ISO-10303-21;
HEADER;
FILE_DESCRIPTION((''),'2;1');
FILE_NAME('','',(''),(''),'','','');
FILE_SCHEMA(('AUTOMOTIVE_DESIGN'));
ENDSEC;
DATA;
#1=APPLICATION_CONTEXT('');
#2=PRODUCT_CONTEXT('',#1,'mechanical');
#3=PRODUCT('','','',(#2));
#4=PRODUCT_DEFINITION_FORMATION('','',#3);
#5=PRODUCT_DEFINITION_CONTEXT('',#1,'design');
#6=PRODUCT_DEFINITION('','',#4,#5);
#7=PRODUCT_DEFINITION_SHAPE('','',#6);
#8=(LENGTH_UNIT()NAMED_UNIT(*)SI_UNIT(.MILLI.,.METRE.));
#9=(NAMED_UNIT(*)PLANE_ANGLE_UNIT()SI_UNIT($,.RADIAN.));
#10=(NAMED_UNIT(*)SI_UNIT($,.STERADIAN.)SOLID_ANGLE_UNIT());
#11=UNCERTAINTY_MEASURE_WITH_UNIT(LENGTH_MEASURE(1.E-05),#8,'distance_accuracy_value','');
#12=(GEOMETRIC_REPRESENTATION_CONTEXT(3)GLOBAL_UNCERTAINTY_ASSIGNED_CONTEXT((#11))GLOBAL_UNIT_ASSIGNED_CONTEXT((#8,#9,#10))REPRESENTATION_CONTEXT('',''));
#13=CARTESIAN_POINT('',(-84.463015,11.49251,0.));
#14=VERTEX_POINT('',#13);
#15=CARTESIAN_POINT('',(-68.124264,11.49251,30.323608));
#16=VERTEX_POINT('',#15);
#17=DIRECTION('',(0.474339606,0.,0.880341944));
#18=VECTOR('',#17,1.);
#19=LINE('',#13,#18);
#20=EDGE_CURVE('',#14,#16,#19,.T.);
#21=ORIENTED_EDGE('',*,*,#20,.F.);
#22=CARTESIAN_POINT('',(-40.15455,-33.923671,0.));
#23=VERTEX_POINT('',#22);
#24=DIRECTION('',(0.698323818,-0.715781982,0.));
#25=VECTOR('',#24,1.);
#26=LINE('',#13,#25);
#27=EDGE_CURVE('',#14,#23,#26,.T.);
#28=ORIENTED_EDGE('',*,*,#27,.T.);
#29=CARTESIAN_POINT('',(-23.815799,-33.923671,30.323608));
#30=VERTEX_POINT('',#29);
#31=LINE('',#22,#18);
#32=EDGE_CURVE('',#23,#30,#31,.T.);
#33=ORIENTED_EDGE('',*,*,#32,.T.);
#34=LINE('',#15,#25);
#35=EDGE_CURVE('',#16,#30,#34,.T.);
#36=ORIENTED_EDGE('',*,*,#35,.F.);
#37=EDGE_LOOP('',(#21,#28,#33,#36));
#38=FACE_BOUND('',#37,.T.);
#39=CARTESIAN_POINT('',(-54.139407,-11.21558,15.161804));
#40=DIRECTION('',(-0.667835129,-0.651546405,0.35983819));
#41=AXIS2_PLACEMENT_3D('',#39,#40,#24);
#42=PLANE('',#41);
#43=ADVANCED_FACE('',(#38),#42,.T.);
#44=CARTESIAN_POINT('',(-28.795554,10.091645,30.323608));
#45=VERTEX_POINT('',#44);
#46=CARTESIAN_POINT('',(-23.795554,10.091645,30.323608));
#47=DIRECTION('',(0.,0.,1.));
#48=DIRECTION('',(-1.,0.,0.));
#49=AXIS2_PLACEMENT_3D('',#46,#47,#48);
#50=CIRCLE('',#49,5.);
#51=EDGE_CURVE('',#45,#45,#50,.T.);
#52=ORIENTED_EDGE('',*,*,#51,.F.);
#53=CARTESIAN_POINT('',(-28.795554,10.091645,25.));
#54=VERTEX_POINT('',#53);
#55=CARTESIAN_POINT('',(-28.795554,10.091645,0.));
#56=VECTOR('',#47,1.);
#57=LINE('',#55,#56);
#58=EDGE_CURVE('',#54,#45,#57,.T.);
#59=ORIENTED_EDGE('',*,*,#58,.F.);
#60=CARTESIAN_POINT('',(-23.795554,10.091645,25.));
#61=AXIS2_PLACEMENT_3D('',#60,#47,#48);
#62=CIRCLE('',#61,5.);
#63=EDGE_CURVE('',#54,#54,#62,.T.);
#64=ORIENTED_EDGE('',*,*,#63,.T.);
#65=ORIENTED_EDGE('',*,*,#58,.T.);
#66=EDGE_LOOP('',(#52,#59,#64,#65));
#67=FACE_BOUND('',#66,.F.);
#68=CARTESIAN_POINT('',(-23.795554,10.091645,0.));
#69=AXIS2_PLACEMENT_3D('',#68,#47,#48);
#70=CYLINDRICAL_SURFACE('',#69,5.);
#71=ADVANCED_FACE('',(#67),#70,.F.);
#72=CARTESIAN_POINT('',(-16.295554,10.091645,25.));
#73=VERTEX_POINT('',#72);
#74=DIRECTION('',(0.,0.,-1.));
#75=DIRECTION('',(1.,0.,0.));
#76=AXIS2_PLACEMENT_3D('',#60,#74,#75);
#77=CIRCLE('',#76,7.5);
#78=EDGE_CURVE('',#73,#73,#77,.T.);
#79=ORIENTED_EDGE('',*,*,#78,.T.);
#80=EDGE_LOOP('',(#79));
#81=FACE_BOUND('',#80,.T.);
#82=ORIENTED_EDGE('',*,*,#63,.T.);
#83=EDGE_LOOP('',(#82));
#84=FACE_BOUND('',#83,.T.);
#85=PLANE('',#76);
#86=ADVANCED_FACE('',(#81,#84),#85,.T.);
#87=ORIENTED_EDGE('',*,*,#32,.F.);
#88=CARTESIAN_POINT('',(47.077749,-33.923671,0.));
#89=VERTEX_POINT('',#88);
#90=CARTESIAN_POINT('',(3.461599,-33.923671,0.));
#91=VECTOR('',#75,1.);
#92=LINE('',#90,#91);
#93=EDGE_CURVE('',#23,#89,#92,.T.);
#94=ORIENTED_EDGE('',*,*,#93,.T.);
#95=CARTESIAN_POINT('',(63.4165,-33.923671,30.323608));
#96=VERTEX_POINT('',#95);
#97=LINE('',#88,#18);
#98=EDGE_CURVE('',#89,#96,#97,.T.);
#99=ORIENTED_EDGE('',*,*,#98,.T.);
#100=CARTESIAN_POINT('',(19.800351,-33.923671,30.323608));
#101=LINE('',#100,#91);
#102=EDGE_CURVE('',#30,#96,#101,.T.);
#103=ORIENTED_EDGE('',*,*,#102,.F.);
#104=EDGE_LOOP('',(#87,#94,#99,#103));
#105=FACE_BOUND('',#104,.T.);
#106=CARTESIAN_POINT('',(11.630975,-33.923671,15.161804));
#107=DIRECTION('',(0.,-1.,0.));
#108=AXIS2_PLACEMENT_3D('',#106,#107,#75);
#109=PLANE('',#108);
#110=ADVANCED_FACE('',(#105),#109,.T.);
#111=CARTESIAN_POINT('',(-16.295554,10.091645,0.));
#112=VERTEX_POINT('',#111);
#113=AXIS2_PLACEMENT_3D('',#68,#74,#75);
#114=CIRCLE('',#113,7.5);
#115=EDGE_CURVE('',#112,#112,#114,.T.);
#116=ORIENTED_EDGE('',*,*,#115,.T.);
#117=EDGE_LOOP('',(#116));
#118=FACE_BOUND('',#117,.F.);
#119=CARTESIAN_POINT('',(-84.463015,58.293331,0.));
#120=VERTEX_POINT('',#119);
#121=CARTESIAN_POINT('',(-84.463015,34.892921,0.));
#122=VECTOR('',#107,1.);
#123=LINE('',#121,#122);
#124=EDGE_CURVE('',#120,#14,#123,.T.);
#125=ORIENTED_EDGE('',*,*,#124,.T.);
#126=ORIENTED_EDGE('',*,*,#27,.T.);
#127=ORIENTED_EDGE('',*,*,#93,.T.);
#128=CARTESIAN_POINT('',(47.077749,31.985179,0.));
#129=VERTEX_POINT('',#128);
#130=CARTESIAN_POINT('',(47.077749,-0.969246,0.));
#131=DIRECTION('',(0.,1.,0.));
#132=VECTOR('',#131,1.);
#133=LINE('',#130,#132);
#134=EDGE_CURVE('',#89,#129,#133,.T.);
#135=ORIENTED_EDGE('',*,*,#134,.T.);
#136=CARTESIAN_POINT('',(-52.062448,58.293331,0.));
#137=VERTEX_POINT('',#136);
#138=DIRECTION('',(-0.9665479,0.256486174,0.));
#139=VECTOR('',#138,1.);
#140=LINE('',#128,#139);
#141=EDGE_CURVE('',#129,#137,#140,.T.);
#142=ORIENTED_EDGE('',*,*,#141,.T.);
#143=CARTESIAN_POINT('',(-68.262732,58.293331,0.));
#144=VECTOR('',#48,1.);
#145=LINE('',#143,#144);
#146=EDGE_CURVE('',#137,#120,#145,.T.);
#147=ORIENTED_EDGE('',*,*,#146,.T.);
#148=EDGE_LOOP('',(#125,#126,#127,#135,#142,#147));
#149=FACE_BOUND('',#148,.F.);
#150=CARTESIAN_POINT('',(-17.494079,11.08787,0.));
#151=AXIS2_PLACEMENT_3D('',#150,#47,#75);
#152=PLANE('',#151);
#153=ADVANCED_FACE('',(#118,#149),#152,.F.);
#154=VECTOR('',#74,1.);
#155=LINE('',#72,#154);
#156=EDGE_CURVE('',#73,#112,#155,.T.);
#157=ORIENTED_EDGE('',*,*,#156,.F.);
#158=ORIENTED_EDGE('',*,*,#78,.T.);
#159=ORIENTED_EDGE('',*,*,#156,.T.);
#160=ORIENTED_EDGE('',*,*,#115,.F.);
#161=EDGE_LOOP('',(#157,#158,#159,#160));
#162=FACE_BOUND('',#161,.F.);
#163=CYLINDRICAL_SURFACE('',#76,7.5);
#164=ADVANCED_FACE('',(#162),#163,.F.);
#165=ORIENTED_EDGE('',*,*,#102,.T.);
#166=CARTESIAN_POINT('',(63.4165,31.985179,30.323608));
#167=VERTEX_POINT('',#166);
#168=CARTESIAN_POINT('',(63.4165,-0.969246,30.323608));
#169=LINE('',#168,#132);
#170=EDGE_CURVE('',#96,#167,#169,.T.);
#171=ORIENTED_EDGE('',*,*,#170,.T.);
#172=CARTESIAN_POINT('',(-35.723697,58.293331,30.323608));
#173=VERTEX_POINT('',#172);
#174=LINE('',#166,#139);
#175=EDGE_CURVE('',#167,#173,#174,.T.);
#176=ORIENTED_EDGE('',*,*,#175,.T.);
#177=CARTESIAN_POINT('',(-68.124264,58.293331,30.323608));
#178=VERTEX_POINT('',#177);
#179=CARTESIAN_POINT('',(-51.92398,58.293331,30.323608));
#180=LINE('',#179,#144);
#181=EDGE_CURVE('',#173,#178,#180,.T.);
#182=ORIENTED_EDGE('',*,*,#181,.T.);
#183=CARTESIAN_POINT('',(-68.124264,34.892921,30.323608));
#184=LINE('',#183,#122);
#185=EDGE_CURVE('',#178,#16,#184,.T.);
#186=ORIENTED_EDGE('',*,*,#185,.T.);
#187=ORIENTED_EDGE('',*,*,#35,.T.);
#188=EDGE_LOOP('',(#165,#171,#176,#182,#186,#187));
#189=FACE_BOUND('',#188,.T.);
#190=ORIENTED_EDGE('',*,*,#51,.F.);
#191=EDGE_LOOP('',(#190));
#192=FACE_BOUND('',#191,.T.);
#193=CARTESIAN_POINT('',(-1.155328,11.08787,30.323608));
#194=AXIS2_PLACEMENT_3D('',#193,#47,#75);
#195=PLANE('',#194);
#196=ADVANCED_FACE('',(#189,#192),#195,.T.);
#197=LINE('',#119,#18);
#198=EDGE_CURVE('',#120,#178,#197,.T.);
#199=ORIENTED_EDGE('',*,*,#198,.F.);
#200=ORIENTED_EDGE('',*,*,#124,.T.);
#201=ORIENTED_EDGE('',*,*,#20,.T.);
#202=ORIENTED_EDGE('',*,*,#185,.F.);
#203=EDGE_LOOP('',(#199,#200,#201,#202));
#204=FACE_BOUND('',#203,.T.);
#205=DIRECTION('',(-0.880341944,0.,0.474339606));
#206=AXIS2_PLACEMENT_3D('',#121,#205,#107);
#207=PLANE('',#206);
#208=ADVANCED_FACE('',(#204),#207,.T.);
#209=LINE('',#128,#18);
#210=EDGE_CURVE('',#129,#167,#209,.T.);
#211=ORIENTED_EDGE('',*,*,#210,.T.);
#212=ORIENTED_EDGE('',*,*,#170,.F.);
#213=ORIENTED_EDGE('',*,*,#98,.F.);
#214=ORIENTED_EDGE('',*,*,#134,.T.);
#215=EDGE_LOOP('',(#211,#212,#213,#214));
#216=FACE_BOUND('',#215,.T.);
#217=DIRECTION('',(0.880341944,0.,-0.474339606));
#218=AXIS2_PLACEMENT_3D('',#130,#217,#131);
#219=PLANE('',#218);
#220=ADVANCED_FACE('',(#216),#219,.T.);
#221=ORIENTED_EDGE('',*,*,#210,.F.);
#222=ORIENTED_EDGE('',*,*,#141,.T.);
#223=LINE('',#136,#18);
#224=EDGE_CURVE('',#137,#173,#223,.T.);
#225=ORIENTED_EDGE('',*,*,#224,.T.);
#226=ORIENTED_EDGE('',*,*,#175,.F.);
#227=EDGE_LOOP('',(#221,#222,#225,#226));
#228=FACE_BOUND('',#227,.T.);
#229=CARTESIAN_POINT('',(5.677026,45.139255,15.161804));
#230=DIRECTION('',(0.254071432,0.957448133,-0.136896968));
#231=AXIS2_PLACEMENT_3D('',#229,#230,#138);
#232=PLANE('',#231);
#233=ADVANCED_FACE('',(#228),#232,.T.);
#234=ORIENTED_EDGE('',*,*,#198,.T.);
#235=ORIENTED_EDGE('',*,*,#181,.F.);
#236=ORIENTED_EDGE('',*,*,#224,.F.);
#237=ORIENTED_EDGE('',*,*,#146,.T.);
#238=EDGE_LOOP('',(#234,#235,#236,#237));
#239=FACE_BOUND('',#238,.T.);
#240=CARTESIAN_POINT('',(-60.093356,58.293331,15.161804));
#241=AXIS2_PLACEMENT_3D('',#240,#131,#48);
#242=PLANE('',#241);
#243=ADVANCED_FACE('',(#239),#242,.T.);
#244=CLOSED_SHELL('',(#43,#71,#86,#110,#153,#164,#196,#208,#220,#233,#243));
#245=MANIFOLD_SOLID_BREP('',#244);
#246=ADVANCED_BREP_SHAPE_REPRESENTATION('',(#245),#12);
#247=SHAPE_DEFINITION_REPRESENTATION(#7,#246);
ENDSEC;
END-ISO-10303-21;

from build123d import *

# Parameters (mm, degrees)
F0_W           = 87.232299149
F0_H           = 65.9088492393
F0_W_2         = 32.4005670846
F0_H_2         = 46.8008210883
F4_D           = 10
F4_CBORE_D     = 15
F4_CBORE_DEPTH = 25


with BuildPart() as f2:
    # F2: sweep along a path in F1
    with BuildLine(Plane.XZ) as f2_path:
        Line((3.3231333364, 0), (19.6618847549, 30.3236078471))
    # F0 (on Top) → F2 (sweep)
    with BuildSketch(Plane.XY):
        Polygon((-40.1545502245, -33.9236706495), (-40.1545502245, 31.9851785898), (47.0777489245, 31.9851785898), (-52.0624481142, 58.2933314145), (-52.0624481142, 11.4925103262), (-84.4630151987, 11.4925103262), align=None)
        with Locations((3.46159935, -0.9692460299)):
            Rectangle(F0_W, F0_H)
        with Locations((-68.2627316564, 34.8929208703)):
            Rectangle(F0_W_2, F0_H_2)
    sweep(path=f2_path.line)

    # F4 (through all)
    with Locations(Plane(origin=(0, 0, 0), x_dir=(1, 0, 0), z_dir=(0, 0, -1))):
        with Locations((-23.7955544144, -10.0916447118)):
            CounterBoreHole(F4_D / 2, F4_CBORE_D / 2, F4_CBORE_DEPTH)


solid = f2.part
